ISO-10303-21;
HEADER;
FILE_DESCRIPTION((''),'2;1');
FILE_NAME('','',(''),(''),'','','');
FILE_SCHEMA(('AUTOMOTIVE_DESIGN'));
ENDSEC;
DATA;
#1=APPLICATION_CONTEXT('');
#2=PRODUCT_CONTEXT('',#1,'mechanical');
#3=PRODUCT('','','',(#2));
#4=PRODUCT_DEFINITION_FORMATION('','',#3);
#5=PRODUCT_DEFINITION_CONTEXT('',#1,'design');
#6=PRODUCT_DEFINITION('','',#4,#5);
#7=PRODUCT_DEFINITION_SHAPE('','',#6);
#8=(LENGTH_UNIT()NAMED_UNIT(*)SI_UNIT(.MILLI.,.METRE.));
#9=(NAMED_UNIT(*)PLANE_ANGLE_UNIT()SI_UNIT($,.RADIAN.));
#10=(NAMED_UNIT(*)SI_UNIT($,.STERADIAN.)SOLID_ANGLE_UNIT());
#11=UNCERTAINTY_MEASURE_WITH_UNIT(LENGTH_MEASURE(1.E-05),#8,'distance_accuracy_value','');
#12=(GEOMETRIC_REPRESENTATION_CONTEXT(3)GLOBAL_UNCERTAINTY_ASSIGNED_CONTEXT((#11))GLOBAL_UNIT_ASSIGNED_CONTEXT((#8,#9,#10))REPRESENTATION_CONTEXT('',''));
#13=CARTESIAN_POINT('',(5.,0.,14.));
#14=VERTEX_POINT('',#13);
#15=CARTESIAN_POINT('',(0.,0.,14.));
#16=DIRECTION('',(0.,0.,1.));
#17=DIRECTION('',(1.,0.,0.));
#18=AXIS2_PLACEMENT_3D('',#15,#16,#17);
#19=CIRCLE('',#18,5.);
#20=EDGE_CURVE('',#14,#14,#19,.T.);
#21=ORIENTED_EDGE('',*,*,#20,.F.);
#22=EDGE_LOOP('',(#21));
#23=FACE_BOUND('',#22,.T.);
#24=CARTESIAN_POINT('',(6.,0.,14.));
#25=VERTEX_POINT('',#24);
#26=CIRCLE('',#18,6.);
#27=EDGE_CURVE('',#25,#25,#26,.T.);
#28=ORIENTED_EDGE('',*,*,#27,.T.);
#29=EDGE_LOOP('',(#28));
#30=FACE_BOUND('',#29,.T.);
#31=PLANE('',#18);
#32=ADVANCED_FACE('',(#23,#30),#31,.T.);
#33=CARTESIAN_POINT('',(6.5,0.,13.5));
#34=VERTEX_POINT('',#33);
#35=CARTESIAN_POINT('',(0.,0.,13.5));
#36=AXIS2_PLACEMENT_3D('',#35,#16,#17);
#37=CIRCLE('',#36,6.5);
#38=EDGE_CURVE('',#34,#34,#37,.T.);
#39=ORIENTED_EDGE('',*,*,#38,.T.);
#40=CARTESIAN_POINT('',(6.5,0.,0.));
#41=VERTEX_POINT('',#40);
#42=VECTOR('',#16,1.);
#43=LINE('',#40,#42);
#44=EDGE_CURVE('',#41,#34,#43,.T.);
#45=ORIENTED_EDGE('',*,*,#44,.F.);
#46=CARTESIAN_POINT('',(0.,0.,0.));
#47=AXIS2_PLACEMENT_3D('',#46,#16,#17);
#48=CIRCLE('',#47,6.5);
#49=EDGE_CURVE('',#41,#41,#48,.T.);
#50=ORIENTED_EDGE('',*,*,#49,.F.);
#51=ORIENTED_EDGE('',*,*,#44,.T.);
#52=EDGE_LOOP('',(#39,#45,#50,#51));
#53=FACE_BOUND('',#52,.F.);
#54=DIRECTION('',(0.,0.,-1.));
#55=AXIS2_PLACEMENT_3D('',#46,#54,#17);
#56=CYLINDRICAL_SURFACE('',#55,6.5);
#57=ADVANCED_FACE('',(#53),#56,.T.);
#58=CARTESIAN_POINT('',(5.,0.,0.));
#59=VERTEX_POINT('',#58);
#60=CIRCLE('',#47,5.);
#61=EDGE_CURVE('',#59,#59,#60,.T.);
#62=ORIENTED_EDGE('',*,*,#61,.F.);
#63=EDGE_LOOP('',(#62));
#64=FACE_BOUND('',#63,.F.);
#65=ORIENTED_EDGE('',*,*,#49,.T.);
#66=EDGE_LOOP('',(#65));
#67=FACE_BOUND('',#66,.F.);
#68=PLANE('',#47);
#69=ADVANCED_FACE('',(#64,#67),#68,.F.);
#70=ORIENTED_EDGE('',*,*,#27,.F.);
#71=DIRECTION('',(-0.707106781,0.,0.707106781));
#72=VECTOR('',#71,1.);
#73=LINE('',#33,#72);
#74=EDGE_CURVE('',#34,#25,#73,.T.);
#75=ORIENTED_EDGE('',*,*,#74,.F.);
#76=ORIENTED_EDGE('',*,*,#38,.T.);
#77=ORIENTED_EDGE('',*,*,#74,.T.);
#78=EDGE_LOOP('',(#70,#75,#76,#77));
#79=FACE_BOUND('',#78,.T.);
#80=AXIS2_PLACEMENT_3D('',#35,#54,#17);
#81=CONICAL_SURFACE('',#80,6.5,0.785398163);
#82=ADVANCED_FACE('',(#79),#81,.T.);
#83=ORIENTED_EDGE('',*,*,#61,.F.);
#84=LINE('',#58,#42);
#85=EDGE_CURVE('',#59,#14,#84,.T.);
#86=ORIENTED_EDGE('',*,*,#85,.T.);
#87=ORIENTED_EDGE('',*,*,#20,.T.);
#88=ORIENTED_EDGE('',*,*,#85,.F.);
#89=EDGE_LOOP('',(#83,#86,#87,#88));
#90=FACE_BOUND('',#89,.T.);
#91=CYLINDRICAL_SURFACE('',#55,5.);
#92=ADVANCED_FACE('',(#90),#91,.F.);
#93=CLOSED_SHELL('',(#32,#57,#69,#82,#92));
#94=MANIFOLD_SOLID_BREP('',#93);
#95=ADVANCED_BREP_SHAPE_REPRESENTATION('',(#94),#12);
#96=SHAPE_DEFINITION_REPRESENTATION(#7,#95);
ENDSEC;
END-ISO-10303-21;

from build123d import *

# Parameters (mm, degrees)
SKETCH_R     = 6.5
SKETCH_R_2   = 5
PAD_DEPTH    = 14
CHAMFER_SIZE = 0.5


with BuildPart() as part:
    # Sketch → Pad (new body)
    with BuildSketch(Plane.XY):
        Circle(SKETCH_R)
        Circle(SKETCH_R_2, mode=Mode.SUBTRACT)
    extrude(amount=PAD_DEPTH)

    # Chamfer
    chamfer_edges = [part.edges().sort_by_distance(p)[0] for p in [
        (-6.5, 0, 14),
    ]]
    chamfer(chamfer_edges, length=CHAMFER_SIZE)


solid = part.part
